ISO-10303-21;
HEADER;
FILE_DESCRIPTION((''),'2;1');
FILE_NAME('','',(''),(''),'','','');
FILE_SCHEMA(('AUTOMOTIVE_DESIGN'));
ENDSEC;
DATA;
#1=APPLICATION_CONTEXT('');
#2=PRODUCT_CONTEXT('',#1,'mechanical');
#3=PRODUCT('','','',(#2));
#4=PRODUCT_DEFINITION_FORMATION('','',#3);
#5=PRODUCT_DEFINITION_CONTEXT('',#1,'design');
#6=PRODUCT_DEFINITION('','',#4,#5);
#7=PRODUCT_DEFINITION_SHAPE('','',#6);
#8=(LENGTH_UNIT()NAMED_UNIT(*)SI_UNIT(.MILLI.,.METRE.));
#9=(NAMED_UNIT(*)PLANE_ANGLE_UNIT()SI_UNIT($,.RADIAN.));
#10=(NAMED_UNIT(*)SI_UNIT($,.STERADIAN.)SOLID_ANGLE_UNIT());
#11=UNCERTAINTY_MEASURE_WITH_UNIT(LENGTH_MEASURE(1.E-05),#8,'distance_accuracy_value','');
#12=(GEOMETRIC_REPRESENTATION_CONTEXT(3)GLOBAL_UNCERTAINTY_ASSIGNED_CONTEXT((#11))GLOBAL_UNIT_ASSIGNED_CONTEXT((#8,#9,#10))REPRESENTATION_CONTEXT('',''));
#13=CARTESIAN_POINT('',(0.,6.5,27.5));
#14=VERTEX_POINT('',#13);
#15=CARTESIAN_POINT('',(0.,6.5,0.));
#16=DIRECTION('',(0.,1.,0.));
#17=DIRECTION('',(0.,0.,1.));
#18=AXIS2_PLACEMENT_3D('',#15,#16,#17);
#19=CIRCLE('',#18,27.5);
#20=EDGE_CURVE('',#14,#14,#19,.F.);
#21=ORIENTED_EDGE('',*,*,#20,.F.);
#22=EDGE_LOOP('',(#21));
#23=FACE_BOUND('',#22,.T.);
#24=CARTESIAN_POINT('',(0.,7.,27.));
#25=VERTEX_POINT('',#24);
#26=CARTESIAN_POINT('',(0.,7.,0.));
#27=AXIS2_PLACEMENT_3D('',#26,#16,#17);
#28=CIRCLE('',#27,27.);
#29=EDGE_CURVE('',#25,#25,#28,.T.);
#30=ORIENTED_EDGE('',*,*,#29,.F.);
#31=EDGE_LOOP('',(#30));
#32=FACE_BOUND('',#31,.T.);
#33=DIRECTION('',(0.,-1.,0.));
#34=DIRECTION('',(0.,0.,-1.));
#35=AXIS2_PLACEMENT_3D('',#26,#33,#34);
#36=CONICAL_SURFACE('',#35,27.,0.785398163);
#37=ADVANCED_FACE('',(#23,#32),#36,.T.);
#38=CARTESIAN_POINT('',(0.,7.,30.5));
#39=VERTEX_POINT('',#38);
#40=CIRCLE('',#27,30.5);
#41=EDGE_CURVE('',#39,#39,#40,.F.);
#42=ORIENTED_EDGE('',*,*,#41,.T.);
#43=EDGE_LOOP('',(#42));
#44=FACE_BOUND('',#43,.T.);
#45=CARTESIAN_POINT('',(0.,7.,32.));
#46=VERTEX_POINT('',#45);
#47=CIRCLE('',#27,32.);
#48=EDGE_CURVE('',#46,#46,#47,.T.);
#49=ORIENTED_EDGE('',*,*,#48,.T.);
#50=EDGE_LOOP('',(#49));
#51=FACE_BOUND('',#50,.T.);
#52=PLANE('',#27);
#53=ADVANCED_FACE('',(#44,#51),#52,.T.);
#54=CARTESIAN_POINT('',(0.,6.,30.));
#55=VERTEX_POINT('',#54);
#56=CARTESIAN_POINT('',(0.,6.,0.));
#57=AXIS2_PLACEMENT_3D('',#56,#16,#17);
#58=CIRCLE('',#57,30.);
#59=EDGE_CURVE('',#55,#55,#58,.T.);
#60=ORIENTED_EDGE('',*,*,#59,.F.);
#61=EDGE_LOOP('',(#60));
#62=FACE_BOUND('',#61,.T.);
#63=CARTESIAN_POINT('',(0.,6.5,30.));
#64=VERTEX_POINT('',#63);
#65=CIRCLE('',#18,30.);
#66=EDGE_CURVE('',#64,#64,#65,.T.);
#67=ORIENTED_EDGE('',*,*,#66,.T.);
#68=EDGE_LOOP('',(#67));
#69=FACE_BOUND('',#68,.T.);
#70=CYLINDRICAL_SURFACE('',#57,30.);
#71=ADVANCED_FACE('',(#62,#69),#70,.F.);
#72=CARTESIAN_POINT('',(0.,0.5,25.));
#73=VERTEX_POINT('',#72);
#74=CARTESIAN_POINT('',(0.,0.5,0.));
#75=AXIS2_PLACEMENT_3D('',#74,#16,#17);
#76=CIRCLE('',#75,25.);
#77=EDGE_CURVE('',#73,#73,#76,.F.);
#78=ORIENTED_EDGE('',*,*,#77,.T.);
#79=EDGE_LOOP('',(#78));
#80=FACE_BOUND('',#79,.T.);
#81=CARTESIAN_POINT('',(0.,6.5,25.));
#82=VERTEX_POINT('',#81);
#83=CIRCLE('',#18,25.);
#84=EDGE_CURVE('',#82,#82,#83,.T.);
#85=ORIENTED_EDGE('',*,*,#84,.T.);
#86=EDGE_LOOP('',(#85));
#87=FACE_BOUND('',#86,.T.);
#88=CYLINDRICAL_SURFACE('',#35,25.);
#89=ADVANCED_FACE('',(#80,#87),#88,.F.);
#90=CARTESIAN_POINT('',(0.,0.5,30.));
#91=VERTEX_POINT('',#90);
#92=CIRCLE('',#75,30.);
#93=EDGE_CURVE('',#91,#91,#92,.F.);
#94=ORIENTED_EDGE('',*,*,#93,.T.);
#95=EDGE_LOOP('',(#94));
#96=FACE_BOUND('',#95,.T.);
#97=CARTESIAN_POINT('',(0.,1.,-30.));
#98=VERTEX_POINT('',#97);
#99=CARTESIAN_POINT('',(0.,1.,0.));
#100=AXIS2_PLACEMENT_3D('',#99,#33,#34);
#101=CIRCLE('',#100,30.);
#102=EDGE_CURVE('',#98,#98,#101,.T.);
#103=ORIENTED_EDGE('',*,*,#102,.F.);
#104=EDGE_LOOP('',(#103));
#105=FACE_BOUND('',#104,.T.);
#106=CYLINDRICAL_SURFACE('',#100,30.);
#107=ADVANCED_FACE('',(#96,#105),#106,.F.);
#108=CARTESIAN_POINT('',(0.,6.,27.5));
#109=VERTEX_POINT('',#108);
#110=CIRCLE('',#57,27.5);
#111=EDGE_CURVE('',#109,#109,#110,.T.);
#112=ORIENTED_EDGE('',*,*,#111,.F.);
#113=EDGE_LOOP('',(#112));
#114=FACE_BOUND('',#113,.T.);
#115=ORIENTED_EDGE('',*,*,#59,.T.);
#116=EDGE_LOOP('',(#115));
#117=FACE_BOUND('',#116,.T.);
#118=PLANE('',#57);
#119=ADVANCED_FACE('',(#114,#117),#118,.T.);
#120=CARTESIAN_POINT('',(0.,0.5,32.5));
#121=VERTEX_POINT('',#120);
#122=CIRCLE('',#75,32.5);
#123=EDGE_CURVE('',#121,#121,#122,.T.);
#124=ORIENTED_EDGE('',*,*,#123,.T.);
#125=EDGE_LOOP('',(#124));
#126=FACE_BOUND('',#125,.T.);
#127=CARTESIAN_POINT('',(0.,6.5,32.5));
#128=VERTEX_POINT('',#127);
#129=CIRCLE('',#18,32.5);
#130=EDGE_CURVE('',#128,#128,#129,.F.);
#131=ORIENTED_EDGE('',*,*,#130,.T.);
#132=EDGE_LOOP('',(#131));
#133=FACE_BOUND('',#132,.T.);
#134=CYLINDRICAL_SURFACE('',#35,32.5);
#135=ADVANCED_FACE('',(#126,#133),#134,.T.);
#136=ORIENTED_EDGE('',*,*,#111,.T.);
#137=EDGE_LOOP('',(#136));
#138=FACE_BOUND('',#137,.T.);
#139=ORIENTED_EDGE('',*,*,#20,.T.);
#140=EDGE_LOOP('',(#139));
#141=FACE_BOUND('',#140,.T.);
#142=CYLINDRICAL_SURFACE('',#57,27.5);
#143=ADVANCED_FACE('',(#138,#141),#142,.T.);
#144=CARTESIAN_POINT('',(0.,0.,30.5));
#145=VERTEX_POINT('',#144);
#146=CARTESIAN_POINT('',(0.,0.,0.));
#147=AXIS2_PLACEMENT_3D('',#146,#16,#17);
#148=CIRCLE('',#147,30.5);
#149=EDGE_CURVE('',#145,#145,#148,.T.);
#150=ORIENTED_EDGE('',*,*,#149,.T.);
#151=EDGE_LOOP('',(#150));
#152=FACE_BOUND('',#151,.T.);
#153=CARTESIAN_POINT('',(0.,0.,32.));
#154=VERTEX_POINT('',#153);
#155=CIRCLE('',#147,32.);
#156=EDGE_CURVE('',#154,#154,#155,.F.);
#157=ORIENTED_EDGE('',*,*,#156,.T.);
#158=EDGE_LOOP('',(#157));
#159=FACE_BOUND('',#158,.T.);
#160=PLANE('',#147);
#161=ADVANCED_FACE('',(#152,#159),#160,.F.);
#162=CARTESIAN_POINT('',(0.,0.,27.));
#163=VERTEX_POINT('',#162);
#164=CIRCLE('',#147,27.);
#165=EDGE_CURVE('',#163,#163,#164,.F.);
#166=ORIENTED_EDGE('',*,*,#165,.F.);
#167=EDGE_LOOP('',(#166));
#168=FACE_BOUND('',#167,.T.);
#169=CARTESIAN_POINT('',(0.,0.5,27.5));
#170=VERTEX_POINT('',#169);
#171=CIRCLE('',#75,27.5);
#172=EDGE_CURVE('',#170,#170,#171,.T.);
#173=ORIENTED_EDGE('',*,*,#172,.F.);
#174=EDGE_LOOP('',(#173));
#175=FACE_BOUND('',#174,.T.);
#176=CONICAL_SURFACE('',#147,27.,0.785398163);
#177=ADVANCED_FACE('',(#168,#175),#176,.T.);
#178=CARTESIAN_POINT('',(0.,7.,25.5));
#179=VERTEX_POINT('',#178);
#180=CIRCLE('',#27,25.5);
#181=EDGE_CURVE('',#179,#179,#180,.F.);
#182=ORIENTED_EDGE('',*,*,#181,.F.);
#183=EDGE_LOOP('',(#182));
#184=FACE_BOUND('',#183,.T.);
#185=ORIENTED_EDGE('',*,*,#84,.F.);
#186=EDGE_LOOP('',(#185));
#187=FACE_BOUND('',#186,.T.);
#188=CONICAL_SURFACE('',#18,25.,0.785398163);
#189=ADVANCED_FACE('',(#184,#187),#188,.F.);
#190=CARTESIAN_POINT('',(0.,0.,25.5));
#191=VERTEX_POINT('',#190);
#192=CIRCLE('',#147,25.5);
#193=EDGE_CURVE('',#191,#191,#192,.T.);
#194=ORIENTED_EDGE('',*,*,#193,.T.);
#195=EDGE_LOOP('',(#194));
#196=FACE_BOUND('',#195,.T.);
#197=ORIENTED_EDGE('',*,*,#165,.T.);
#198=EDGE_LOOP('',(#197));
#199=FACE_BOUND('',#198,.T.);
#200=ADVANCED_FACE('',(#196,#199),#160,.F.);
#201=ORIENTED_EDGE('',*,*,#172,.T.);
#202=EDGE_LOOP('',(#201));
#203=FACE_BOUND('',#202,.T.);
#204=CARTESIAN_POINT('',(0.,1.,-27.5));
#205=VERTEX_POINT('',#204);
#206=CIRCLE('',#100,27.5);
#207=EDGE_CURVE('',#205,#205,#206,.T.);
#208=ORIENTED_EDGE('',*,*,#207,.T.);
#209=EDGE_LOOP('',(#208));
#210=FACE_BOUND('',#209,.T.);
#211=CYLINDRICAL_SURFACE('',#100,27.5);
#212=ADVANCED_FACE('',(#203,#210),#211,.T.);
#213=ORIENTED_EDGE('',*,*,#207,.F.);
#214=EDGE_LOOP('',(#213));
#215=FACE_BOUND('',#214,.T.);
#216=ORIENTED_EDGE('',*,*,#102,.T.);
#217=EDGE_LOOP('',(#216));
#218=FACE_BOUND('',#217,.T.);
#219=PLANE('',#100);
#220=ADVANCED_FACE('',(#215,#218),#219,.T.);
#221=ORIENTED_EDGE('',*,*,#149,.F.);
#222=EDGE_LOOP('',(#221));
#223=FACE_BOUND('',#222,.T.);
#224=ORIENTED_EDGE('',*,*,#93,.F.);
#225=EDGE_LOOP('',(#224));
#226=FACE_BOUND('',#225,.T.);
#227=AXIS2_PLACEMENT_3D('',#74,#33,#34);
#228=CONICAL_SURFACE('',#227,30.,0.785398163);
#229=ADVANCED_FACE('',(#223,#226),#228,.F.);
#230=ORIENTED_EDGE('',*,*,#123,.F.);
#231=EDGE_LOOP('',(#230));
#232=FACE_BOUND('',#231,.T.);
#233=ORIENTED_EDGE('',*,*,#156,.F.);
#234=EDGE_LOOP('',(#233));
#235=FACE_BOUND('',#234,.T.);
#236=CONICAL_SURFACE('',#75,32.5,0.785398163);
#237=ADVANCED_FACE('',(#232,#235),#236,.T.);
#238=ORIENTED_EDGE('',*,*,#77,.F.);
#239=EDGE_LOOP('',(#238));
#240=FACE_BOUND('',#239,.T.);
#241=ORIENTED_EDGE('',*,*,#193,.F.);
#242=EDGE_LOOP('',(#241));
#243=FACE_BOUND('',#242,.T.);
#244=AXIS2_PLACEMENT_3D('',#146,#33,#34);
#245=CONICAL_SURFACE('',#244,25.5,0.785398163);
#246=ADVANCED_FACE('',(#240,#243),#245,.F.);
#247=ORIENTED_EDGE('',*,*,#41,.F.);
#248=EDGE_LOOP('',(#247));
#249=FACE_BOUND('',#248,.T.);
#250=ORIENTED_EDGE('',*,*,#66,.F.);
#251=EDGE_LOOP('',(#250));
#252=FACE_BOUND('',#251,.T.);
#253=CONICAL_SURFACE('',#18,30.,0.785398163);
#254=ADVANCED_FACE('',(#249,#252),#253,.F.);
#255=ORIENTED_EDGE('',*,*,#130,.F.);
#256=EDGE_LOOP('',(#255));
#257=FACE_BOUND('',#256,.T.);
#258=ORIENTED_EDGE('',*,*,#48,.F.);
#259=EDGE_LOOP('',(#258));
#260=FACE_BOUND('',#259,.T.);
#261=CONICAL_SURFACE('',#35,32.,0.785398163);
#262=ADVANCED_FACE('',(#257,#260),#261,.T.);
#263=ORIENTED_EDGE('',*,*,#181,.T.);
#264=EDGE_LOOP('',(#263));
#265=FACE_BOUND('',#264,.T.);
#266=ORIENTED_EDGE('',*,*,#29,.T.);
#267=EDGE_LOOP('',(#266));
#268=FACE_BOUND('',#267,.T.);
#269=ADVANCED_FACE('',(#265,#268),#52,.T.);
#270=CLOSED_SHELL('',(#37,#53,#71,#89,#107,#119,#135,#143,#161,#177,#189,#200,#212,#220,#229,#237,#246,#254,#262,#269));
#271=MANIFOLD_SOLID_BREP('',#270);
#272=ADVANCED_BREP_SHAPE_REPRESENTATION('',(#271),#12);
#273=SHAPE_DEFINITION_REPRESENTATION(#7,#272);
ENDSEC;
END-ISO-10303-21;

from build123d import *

# Parameters (mm, degrees)
SKETCH1_R           = 32.5
SKETCH1_R_2         = 25
BOSS_EXTRUDE1_DEPTH = 7
SKETCH2_R           = 30
SKETCH2_R_2         = 27.5
CUT_EXTRUDE1_DEPTH  = 1
CUT_EXTRUDE2_START  = -1
SKETCH3_R           = 30
SKETCH3_R_2         = 27.5
CUT_EXTRUDE2_DEPTH  = 1
CHAMFER1_SIZE       = 0.5


with BuildPart() as part:
    # Sketch1 → Boss-Extrude1 (new body)
    with BuildSketch(Plane(origin=(0, 0, 0), x_dir=(1, 0, 0), z_dir=(0, 1, 0))):
        with Locations(Location((0, 0, 0), (0, 0, 270))):
            Circle(SKETCH1_R)
        with Locations(Location((0, 0, 0), (0, 0, 270))):
            Circle(SKETCH1_R_2, mode=Mode.SUBTRACT)
    extrude(amount=BOSS_EXTRUDE1_DEPTH)

    # Sketch2 → Cut-Extrude1 (cut)
    with BuildSketch(Plane(origin=(0, 7, 0), x_dir=(1, 0, 0), z_dir=(0, 1, 0))):
        with Locations(Location((0, 0, 0), (0, 0, 270))):
            Circle(SKETCH2_R)
        with Locations(Location((0, 0, 0), (0, 0, 270))):
            Circle(SKETCH2_R_2, mode=Mode.SUBTRACT)
    extrude(amount=-CUT_EXTRUDE1_DEPTH, mode=Mode.SUBTRACT)

    # Sketch3 → Cut-Extrude2 (cut)
    with BuildSketch(Plane.XZ.offset(CUT_EXTRUDE2_START)):
        with Locations(Location((0, 0, 0), (0, 0, 90))):
            Circle(SKETCH3_R)
        with Locations(Location((0, 0, 0), (0, 0, 90))):
            Circle(SKETCH3_R_2, mode=Mode.SUBTRACT)
    extrude(amount=CUT_EXTRUDE2_DEPTH, mode=Mode.SUBTRACT)

    # Chamfer1
    chamfer1_edges = [part.edges().sort_by_distance(p)[0] for p in [
        (0, 7, -30),
        (0, 7, -27.5),
        (0, 0, -32.5),
        (0, 0, -30),
        (0, 0, -27.5),
        (0, 7, -32.5),
        (0, 0, -25),
        (0, 7, -25),
    ]]
    chamfer(chamfer1_edges, length=CHAMFER1_SIZE)


solid = part.part
